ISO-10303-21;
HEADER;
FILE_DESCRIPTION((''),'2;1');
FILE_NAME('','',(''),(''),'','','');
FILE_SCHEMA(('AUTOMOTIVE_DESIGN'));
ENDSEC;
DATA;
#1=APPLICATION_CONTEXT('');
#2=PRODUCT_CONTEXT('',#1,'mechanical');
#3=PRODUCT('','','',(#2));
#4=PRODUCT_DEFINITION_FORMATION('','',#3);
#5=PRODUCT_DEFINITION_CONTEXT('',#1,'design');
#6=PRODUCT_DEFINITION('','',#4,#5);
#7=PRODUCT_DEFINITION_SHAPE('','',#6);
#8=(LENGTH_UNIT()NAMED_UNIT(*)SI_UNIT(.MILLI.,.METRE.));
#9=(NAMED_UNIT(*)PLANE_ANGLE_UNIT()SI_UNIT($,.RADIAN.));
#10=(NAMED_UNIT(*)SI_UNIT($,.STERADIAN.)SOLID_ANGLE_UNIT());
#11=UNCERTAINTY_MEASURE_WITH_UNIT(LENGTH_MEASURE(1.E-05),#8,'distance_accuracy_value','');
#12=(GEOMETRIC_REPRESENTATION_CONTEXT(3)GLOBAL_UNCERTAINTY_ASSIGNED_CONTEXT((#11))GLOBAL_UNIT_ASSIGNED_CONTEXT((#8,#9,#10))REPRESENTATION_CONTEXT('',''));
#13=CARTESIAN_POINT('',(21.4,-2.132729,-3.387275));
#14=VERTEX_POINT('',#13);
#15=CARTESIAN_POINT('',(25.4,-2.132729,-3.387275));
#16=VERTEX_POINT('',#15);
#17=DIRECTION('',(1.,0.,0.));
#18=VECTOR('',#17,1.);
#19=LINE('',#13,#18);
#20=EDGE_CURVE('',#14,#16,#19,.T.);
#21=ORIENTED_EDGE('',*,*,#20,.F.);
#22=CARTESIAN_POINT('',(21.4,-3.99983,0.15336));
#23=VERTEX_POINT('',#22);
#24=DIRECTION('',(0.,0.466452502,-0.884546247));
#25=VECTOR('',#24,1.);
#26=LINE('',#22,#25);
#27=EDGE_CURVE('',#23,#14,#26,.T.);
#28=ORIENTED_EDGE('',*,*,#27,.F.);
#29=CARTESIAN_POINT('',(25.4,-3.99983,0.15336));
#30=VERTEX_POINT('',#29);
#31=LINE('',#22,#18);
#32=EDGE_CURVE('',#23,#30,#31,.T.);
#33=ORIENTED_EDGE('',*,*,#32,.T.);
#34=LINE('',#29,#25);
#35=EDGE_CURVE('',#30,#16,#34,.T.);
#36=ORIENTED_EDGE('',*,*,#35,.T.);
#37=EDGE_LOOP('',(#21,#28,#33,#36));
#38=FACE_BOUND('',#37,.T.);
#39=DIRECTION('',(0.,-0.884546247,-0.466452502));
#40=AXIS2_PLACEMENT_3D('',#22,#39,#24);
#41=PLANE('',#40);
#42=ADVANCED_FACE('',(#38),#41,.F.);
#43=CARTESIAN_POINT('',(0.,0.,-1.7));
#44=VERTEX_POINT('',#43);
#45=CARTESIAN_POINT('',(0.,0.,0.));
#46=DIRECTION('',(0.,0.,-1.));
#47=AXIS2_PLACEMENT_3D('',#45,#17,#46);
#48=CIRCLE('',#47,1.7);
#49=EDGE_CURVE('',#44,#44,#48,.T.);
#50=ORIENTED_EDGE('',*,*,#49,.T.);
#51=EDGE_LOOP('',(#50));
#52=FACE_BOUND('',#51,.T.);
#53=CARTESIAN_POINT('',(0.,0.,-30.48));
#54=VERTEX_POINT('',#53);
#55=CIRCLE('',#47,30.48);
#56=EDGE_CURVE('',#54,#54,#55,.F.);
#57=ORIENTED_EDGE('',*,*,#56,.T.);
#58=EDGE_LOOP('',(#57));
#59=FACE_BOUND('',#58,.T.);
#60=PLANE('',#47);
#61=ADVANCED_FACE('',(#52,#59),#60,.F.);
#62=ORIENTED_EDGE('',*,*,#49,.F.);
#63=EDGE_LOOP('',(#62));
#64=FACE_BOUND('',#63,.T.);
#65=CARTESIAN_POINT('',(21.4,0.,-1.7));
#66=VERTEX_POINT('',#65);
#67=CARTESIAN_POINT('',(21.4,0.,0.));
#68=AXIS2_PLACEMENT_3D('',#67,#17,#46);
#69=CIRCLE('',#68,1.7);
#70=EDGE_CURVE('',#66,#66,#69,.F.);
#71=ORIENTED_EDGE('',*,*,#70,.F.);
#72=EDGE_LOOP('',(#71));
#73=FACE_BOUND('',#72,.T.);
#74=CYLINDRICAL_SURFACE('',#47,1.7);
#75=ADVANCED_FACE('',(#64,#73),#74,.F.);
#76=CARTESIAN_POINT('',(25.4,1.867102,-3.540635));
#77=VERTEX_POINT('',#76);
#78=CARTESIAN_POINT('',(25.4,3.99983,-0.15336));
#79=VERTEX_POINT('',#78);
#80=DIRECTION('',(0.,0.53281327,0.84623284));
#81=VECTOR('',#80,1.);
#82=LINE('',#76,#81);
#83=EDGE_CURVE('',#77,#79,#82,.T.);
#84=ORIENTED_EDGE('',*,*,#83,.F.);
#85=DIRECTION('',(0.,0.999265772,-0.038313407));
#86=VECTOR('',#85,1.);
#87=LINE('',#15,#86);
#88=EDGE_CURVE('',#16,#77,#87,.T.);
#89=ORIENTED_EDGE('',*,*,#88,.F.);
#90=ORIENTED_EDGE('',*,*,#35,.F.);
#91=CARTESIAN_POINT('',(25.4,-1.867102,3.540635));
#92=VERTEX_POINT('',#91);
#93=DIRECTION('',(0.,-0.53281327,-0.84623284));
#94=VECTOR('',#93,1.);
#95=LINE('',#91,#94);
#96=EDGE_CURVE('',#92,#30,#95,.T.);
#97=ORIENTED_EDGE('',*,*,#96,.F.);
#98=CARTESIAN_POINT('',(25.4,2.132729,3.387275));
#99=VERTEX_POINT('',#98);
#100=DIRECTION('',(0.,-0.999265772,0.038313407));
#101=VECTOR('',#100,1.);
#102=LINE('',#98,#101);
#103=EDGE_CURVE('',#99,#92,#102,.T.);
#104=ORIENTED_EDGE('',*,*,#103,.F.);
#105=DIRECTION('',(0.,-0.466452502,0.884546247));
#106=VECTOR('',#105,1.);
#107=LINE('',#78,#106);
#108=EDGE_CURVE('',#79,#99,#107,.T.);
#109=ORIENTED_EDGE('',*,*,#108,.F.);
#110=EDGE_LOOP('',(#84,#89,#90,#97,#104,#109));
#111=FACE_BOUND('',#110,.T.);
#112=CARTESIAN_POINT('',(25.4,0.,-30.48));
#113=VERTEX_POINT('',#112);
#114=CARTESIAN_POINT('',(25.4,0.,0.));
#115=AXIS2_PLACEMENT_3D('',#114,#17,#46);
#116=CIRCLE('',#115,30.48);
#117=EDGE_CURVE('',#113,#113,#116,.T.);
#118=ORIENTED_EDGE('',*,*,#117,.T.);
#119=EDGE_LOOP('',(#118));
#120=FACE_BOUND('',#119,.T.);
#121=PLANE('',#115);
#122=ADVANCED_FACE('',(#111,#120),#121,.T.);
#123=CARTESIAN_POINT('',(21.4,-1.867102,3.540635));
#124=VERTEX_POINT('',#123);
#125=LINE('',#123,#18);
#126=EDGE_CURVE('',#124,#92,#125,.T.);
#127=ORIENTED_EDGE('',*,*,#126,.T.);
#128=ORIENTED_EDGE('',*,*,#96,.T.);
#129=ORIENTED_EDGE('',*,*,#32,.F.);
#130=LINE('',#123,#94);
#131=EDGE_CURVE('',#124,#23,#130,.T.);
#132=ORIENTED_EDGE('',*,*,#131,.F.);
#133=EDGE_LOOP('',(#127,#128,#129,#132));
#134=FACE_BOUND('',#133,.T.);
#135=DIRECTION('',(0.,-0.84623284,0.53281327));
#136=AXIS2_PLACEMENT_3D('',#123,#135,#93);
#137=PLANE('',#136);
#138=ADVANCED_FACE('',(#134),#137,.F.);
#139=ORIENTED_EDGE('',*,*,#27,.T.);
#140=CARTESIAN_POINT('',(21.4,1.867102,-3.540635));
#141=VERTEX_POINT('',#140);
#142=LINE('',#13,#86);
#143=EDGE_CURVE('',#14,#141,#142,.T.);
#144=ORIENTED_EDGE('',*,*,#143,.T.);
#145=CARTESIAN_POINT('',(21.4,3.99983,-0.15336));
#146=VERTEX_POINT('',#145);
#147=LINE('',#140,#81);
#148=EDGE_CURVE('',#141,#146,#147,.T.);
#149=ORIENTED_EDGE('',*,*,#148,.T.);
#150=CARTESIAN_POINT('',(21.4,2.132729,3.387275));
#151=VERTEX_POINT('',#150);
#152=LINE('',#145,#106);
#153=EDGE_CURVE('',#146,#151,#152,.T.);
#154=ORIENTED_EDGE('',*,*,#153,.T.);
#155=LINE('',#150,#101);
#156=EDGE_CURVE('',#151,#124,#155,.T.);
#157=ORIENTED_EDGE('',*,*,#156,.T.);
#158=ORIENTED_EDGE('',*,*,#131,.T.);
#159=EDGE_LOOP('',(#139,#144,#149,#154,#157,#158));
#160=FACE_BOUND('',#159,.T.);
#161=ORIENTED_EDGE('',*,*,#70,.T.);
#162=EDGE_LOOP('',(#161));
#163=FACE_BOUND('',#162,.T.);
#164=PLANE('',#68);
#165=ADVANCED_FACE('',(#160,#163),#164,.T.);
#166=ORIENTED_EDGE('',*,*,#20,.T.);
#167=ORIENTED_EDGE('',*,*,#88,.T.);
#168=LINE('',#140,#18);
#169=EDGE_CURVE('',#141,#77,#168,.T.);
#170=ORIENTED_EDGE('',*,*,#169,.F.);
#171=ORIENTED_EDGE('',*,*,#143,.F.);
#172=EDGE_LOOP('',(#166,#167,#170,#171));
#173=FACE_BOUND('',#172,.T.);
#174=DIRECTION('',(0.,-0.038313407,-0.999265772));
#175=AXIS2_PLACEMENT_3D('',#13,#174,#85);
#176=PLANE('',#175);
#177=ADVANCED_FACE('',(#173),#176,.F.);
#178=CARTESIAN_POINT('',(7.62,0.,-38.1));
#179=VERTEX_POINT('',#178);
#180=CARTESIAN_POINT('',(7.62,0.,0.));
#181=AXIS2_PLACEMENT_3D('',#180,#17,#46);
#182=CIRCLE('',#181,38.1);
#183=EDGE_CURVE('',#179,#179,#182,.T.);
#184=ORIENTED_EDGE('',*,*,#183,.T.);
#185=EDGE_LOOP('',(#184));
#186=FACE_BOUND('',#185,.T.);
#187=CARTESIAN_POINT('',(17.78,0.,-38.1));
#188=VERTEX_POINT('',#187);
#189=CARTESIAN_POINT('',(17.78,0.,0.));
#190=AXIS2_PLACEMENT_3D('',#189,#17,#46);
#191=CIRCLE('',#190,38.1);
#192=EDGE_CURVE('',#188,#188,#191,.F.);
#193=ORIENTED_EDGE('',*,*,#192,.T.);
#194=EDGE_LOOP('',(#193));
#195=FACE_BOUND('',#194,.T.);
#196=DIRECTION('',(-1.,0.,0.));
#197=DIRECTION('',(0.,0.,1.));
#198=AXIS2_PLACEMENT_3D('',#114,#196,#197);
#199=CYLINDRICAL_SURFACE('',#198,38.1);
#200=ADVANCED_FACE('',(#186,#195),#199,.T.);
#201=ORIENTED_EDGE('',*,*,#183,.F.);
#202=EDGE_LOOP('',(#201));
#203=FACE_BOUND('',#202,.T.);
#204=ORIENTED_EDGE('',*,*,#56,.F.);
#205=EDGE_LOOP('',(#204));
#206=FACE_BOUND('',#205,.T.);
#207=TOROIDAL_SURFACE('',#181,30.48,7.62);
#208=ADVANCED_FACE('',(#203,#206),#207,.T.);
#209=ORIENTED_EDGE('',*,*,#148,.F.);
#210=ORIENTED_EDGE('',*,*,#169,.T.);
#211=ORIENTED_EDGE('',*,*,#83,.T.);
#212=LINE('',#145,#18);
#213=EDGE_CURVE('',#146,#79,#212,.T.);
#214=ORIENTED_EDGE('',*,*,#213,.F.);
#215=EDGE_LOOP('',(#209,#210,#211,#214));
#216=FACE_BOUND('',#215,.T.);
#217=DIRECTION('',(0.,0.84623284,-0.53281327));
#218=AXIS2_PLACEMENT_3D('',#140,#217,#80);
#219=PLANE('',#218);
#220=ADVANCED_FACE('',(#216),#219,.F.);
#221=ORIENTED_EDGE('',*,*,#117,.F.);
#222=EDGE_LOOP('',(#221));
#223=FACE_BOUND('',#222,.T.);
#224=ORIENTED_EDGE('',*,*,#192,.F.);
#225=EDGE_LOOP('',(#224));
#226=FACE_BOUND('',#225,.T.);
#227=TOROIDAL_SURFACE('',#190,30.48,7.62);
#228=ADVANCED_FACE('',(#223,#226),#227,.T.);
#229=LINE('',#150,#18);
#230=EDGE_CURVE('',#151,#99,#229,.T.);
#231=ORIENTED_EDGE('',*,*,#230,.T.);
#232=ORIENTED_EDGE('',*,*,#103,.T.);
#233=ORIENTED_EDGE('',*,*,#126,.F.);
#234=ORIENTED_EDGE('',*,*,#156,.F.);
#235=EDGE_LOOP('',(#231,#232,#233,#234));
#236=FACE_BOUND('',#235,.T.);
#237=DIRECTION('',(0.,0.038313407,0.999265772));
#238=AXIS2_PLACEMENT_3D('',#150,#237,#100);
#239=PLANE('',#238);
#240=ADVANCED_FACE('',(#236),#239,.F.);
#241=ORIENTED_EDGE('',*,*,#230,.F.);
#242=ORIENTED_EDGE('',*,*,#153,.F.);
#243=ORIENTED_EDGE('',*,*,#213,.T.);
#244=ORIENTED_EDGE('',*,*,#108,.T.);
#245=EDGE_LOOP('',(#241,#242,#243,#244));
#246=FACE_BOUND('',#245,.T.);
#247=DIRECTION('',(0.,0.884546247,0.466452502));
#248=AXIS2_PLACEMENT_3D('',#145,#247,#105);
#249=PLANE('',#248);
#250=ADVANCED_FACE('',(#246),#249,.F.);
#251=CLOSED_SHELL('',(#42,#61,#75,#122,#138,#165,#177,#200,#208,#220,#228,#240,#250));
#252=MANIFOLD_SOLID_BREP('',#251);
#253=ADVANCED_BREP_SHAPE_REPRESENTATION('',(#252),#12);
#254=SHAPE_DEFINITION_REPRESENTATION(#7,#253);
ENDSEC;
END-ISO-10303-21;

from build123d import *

# Parameters (mm, degrees)
SKETCH2_R           = 38.1
BOSS_EXTRUDE2_DEPTH = 25.4
FILLET3_R           = 7.62
FILLET5_R           = 7.62
SKETCH4_R           = 1.7
CUT_EXTRUDE1_DEPTH  = 25.4
CUT_EXTRUDE2_DEPTH  = 4


with BuildPart() as part:
    # Sketch2 → Boss-Extrude2 (new body)
    with BuildSketch(Plane(origin=(0, 0, 0), x_dir=(0, 0, -1), z_dir=(1, 0, 0))):
        Circle(SKETCH2_R)
    extrude(amount=BOSS_EXTRUDE2_DEPTH)

    # Fillet3
    fillet3_edges = [part.edges().sort_by_distance(p)[0] for p in [
        (25.4, 0, 38.1),
    ]]
    fillet(fillet3_edges, radius=FILLET3_R)

    # Fillet5
    fillet5_edges = [part.edges().sort_by_distance(p)[0] for p in [
        (0, 0, 38.1),
    ]]
    fillet(fillet5_edges, radius=FILLET5_R)

    # Sketch4 → Cut-Extrude1 (cut)
    with BuildSketch(Plane(origin=(25.4, 0, 0), x_dir=(0, 0, -1), z_dir=(1, 0, 0))):
        Circle(SKETCH4_R)
    extrude(amount=-CUT_EXTRUDE1_DEPTH, mode=Mode.SUBTRACT)

    # Sketch5 → Cut-Extrude2 (cut)
    with BuildSketch(Plane(origin=(25.4, 0, 0), x_dir=(0, 0, -1), z_dir=(1, 0, 0))):
        Polygon((-3.387274931, 2.13272866), (-3.540634665, -1.86710181), (-0.153359734, -3.99983047), (3.387274931, -2.13272866), (3.540634665, 1.86710181), (0.153359734, 3.99983047), align=None)
    extrude(amount=-CUT_EXTRUDE2_DEPTH, mode=Mode.SUBTRACT)


solid = part.part
